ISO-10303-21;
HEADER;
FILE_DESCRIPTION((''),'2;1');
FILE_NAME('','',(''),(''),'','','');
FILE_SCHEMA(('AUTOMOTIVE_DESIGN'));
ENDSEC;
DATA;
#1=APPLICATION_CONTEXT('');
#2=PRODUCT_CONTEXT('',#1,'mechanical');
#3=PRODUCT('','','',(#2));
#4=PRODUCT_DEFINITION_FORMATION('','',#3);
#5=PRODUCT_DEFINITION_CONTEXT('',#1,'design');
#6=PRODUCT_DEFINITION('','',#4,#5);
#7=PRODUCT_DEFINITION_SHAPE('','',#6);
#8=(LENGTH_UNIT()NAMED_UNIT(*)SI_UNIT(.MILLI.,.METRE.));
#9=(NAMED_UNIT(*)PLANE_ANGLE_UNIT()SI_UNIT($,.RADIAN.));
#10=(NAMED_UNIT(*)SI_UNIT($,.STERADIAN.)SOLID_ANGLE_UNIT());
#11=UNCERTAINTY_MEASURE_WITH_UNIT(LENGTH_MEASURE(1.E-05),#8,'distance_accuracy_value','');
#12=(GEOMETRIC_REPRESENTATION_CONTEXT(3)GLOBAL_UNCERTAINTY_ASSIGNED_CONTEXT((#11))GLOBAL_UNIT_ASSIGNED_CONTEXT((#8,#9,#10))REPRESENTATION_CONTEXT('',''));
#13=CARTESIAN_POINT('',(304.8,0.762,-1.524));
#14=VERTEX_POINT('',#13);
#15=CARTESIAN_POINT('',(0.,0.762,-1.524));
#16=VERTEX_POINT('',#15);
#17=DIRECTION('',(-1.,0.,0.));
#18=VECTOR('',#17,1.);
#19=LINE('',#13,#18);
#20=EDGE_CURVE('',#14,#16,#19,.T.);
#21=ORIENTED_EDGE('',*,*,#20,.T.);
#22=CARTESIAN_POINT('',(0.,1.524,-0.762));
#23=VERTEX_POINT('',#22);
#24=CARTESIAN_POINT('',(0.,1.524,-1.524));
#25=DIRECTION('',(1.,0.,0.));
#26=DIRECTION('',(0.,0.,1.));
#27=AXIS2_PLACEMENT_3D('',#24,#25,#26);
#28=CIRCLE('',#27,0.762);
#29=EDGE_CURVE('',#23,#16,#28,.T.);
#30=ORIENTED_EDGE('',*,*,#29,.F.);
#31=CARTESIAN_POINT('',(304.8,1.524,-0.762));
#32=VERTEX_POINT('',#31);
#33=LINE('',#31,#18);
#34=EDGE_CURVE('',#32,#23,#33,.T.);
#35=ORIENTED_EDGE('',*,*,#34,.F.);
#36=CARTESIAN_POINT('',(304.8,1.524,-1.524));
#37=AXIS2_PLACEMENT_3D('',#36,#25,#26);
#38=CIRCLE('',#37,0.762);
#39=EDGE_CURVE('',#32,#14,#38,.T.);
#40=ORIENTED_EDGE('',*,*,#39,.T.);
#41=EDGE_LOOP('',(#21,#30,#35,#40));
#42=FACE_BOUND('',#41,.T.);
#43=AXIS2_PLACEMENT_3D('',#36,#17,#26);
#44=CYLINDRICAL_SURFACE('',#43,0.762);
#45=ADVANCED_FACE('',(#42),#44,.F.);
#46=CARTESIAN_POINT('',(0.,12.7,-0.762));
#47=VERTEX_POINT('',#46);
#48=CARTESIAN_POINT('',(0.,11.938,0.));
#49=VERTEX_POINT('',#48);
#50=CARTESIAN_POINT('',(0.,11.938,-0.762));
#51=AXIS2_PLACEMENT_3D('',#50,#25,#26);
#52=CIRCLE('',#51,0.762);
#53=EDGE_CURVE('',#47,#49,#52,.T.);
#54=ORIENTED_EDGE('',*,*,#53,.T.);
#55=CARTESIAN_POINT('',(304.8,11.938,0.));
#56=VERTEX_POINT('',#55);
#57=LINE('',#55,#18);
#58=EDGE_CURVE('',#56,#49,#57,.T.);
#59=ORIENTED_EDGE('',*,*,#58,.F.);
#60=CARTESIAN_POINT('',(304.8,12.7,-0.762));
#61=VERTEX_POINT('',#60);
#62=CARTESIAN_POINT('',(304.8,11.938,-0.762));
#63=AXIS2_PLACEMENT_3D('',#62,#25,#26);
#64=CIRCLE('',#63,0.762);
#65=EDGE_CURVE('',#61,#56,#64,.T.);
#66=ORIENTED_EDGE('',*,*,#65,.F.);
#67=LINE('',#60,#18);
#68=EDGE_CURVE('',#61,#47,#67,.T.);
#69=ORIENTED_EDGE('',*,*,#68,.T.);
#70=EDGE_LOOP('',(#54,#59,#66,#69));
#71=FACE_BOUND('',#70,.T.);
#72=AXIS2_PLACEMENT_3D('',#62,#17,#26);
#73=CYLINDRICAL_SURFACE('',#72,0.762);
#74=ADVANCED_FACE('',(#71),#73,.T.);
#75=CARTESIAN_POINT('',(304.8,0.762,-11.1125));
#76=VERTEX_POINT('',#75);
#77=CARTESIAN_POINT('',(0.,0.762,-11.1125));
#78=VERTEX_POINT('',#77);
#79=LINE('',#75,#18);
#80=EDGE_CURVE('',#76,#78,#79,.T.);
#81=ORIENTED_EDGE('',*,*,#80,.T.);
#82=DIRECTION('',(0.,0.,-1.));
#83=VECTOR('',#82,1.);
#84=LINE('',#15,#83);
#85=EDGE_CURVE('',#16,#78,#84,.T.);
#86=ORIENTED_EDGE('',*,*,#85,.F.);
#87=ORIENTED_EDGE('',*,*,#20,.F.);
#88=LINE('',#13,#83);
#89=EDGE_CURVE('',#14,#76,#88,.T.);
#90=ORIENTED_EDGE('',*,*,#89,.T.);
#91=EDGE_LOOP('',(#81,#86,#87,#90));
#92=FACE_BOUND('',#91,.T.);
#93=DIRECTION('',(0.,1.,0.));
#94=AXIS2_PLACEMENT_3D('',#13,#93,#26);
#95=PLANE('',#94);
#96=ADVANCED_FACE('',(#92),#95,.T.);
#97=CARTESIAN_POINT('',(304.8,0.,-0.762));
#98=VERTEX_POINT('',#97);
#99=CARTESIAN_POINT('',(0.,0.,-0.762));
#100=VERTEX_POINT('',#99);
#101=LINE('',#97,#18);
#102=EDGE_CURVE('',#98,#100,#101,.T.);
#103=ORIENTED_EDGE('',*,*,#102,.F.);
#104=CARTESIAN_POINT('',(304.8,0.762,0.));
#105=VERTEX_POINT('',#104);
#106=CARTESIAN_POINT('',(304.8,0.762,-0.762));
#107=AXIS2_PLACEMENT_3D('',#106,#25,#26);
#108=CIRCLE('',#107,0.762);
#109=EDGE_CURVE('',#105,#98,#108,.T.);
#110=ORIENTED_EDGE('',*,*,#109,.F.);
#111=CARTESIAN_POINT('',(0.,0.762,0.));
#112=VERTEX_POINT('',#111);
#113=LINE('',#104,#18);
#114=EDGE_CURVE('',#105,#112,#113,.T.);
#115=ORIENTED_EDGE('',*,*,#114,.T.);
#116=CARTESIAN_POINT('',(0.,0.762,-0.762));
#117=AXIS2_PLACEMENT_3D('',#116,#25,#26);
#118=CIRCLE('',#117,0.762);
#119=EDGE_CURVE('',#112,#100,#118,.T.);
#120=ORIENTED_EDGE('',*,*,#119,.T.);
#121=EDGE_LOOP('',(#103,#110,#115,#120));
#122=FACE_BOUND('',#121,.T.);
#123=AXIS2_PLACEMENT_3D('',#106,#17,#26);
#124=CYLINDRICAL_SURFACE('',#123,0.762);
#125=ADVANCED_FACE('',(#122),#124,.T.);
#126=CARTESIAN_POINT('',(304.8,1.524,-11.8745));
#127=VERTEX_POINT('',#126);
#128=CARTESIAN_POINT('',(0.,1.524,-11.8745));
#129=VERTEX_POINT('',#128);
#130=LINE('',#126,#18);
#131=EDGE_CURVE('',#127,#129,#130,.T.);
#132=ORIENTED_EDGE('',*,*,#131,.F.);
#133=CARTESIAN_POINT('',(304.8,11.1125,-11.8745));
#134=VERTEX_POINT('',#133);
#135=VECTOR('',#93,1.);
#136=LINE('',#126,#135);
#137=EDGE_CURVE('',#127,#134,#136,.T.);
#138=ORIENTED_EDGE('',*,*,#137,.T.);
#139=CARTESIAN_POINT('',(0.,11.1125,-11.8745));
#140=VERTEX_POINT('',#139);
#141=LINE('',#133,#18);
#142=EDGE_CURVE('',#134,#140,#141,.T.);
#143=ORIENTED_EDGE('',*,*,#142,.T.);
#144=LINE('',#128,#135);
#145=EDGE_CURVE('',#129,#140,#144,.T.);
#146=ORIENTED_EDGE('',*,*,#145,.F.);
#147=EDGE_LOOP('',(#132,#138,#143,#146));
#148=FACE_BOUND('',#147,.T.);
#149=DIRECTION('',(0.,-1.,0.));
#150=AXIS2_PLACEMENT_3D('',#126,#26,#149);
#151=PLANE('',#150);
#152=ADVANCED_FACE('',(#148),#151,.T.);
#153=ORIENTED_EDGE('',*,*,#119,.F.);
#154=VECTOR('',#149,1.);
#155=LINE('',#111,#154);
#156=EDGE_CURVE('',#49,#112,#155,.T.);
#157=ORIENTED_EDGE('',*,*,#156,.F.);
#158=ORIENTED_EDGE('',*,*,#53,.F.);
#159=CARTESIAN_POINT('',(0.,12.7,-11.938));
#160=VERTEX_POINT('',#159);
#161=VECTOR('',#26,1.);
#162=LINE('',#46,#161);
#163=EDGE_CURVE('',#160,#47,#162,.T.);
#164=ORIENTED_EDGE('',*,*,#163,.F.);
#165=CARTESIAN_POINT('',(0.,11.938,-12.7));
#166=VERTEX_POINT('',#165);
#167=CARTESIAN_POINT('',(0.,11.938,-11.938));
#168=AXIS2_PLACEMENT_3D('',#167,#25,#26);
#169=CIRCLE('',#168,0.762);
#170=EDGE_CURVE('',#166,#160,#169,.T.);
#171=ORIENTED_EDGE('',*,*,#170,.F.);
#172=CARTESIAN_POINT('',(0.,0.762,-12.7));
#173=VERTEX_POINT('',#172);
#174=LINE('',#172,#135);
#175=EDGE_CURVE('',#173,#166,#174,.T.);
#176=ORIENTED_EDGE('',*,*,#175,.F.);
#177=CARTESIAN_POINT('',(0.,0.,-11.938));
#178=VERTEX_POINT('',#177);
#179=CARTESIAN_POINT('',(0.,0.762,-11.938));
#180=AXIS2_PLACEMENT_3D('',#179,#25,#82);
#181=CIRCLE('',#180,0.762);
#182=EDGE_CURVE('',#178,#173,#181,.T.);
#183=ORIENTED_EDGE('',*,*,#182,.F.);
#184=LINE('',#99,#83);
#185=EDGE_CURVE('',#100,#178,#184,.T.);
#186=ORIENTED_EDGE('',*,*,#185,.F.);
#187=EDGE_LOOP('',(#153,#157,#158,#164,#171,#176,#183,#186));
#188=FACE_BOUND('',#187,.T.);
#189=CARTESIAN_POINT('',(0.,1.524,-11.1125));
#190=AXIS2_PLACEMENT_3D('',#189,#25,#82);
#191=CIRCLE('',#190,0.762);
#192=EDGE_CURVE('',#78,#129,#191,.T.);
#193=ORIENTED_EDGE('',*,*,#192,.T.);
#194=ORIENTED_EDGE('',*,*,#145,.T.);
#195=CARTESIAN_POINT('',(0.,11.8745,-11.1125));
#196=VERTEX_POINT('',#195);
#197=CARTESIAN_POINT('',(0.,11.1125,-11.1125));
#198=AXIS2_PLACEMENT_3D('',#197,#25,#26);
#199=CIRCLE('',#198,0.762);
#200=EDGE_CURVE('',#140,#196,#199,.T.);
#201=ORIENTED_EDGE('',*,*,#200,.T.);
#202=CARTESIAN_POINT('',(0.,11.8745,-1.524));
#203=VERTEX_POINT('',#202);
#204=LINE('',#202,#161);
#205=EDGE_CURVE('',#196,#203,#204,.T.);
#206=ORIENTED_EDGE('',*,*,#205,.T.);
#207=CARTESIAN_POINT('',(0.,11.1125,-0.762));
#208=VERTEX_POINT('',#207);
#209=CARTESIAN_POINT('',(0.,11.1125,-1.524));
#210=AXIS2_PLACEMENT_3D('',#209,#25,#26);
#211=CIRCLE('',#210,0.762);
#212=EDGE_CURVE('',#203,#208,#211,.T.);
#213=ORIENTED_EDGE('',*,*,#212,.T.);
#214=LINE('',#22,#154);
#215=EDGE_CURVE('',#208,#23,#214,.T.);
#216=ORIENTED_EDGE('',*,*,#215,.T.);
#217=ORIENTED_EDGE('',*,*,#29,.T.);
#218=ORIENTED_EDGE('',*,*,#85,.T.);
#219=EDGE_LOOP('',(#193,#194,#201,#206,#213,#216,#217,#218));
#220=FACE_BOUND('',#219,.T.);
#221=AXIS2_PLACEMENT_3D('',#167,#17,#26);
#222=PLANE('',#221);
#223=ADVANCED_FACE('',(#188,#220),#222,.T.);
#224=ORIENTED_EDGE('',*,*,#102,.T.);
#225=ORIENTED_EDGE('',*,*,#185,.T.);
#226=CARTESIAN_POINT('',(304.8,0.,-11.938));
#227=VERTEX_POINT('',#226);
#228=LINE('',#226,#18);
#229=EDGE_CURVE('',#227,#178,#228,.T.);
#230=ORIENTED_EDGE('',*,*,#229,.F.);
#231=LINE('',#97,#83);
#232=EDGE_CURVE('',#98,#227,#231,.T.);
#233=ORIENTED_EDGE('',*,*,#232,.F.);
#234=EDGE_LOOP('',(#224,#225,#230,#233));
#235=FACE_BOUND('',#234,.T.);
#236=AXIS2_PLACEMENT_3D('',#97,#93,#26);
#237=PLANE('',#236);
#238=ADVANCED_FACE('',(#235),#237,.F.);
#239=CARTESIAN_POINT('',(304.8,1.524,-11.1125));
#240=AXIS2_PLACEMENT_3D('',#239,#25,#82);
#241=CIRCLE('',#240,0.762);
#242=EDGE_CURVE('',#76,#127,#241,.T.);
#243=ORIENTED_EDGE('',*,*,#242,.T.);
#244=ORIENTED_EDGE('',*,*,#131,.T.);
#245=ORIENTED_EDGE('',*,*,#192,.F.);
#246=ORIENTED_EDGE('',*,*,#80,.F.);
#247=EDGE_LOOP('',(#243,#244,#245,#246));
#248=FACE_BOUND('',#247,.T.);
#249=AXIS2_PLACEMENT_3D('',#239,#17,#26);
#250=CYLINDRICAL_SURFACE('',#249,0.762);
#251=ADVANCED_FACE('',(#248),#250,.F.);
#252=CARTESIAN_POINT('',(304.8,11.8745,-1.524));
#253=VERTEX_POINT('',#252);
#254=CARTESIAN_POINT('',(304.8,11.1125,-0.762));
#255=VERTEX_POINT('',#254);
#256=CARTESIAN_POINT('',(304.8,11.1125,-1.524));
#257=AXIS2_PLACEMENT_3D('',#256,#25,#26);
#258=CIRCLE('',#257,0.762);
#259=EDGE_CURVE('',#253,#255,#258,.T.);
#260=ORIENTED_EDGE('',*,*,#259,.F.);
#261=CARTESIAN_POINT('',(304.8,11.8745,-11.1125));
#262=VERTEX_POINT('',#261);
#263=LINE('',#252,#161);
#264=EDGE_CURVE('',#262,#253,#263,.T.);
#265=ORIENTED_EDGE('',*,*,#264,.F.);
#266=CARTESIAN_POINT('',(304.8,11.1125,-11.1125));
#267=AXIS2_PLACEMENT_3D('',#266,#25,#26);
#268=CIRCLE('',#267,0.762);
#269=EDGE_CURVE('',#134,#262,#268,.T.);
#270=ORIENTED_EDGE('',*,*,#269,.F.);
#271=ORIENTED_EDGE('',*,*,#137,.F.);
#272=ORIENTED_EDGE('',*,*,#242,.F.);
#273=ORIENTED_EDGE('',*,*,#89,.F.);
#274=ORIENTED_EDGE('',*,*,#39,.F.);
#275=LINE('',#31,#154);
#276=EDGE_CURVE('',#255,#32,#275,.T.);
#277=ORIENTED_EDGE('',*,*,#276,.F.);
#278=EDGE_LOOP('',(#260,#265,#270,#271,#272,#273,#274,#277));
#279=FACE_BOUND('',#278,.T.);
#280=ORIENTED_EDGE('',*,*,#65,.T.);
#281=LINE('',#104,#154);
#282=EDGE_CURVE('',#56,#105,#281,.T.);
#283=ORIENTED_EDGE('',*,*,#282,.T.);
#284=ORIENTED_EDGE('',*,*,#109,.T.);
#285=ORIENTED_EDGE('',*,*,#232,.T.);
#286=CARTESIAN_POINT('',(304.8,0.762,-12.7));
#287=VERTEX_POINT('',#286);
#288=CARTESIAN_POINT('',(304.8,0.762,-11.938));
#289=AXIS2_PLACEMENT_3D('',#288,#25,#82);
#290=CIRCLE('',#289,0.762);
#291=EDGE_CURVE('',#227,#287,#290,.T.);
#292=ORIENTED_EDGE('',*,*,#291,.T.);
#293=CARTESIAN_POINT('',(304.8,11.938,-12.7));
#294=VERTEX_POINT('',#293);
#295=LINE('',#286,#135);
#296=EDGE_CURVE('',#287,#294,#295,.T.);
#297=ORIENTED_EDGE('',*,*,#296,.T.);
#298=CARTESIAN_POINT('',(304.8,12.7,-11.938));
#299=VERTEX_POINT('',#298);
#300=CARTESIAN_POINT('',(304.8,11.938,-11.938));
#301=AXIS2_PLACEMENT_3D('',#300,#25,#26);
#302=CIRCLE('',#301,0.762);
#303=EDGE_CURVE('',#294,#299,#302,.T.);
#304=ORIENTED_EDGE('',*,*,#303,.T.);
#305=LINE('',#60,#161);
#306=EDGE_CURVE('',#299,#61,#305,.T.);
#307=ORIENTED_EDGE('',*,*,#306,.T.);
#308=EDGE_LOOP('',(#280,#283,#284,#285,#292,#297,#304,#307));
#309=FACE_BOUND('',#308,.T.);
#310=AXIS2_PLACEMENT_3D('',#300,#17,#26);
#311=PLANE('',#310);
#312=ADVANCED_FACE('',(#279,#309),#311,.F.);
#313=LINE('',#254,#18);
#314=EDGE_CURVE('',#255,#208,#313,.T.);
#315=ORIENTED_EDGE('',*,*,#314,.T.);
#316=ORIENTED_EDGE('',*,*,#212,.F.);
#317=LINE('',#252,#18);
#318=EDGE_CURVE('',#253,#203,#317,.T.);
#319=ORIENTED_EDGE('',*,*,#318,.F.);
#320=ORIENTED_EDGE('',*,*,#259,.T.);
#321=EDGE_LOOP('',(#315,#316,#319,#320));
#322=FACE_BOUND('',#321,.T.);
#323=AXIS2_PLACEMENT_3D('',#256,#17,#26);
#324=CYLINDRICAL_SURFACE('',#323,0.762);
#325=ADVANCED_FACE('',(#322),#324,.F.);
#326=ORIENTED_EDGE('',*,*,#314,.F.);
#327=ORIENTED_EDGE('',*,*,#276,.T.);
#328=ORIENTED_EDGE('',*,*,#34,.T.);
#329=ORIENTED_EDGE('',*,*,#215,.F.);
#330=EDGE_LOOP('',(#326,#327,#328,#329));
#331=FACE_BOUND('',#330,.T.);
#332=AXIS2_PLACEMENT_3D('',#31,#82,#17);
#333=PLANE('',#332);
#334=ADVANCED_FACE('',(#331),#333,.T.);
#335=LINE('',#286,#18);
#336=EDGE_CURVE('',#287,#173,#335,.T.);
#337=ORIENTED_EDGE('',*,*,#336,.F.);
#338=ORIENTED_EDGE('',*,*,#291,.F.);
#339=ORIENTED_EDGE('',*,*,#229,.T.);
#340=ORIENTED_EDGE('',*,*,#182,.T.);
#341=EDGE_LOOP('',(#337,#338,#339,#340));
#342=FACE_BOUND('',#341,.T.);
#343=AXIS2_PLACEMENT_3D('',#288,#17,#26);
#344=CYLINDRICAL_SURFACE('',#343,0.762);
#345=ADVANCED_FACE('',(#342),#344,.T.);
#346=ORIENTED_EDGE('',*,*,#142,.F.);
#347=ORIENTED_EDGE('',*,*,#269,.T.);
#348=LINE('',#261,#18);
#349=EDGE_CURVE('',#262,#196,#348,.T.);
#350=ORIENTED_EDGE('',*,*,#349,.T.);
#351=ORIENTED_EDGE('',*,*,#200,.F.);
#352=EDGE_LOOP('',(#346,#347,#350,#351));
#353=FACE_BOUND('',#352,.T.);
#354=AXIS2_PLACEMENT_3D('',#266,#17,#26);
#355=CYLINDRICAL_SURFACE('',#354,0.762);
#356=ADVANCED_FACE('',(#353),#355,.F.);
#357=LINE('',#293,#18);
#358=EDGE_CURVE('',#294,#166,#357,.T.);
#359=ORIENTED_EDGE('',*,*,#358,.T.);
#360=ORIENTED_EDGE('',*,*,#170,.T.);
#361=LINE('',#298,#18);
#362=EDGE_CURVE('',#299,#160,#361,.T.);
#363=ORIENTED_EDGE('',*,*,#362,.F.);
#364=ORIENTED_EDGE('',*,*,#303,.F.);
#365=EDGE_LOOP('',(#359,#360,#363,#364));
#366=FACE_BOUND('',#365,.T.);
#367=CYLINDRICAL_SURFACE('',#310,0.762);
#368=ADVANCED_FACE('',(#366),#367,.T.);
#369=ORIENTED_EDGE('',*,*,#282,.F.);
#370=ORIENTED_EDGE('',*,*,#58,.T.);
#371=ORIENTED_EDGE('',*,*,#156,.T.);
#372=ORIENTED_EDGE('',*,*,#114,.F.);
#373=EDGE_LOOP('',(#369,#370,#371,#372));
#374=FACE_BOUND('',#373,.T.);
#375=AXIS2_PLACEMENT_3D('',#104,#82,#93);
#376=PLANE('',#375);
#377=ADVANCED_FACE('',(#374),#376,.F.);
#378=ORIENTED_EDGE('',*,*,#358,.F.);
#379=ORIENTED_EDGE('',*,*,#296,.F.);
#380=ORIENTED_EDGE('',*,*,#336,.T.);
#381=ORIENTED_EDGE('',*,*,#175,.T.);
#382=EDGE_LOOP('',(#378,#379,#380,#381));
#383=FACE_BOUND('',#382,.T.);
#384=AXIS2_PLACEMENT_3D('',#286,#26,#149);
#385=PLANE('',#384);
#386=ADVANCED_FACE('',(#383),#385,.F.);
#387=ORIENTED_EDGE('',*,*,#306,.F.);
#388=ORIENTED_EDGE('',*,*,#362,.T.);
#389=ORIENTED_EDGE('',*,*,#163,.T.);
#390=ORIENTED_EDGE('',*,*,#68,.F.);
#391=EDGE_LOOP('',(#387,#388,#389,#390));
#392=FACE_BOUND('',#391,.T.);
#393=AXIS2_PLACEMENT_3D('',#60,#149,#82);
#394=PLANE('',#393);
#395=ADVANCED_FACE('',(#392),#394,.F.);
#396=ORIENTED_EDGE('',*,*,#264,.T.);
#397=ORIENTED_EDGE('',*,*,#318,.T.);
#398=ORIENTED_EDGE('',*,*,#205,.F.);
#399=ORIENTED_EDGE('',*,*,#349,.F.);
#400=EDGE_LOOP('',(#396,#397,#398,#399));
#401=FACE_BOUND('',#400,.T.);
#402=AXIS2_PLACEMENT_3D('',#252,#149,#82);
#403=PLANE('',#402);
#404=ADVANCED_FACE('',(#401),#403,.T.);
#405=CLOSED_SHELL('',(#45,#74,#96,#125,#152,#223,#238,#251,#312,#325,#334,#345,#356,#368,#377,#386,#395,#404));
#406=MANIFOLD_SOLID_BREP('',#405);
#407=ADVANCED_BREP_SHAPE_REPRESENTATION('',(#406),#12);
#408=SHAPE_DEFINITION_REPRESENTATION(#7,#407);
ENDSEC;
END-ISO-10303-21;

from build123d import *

# Parameters (mm, degrees)
BOSS_EXTRUDE1_DEPTH = 304.8


with BuildPart() as part:
    # Sketch2 → Boss-Extrude1 (new body)
    with BuildSketch(Plane(origin=(0, 0, 0), x_dir=(0, 0, -1), z_dir=(1, 0, 0))):
        with BuildLine():
            Line((0.762, 0), (11.938, 0))
            ThreePointArc((11.938, 0), (12.476815367, 0.223184633), (12.7, 0.762))
            Line((12.7, 0.762), (12.7, 11.938))
            ThreePointArc((12.7, 11.938), (12.476815367, 12.476815367), (11.938, 12.7))
            Line((11.938, 12.7), (0.762, 12.7))
            ThreePointArc((0.762, 12.7), (0.223184633, 12.476815367), (0, 11.938))
            Line((0, 11.938), (0, 0.762))
            ThreePointArc((0, 0.762), (0.223184633, 0.223184633), (0.762, 0))
        make_face()
        with BuildLine():
            Line((1.524, 0.762), (11.1125, 0.762))
            ThreePointArc((11.1125, 0.762), (11.651315367, 0.985184633), (11.8745, 1.524))
            Line((11.8745, 1.524), (11.8745, 11.1125))
            ThreePointArc((11.8745, 11.1125), (11.651315367, 11.651315367), (11.1125, 11.8745))
            Line((11.1125, 11.8745), (1.524, 11.8745))
            ThreePointArc((1.524, 11.8745), (0.985184633, 11.651315367), (0.762, 11.1125))
            Line((0.762, 11.1125), (0.762, 1.524))
            ThreePointArc((0.762, 1.524), (0.985184633, 0.985184633), (1.524, 0.762))
        make_face(mode=Mode.SUBTRACT)
    extrude(amount=BOSS_EXTRUDE1_DEPTH)


solid = part.part
